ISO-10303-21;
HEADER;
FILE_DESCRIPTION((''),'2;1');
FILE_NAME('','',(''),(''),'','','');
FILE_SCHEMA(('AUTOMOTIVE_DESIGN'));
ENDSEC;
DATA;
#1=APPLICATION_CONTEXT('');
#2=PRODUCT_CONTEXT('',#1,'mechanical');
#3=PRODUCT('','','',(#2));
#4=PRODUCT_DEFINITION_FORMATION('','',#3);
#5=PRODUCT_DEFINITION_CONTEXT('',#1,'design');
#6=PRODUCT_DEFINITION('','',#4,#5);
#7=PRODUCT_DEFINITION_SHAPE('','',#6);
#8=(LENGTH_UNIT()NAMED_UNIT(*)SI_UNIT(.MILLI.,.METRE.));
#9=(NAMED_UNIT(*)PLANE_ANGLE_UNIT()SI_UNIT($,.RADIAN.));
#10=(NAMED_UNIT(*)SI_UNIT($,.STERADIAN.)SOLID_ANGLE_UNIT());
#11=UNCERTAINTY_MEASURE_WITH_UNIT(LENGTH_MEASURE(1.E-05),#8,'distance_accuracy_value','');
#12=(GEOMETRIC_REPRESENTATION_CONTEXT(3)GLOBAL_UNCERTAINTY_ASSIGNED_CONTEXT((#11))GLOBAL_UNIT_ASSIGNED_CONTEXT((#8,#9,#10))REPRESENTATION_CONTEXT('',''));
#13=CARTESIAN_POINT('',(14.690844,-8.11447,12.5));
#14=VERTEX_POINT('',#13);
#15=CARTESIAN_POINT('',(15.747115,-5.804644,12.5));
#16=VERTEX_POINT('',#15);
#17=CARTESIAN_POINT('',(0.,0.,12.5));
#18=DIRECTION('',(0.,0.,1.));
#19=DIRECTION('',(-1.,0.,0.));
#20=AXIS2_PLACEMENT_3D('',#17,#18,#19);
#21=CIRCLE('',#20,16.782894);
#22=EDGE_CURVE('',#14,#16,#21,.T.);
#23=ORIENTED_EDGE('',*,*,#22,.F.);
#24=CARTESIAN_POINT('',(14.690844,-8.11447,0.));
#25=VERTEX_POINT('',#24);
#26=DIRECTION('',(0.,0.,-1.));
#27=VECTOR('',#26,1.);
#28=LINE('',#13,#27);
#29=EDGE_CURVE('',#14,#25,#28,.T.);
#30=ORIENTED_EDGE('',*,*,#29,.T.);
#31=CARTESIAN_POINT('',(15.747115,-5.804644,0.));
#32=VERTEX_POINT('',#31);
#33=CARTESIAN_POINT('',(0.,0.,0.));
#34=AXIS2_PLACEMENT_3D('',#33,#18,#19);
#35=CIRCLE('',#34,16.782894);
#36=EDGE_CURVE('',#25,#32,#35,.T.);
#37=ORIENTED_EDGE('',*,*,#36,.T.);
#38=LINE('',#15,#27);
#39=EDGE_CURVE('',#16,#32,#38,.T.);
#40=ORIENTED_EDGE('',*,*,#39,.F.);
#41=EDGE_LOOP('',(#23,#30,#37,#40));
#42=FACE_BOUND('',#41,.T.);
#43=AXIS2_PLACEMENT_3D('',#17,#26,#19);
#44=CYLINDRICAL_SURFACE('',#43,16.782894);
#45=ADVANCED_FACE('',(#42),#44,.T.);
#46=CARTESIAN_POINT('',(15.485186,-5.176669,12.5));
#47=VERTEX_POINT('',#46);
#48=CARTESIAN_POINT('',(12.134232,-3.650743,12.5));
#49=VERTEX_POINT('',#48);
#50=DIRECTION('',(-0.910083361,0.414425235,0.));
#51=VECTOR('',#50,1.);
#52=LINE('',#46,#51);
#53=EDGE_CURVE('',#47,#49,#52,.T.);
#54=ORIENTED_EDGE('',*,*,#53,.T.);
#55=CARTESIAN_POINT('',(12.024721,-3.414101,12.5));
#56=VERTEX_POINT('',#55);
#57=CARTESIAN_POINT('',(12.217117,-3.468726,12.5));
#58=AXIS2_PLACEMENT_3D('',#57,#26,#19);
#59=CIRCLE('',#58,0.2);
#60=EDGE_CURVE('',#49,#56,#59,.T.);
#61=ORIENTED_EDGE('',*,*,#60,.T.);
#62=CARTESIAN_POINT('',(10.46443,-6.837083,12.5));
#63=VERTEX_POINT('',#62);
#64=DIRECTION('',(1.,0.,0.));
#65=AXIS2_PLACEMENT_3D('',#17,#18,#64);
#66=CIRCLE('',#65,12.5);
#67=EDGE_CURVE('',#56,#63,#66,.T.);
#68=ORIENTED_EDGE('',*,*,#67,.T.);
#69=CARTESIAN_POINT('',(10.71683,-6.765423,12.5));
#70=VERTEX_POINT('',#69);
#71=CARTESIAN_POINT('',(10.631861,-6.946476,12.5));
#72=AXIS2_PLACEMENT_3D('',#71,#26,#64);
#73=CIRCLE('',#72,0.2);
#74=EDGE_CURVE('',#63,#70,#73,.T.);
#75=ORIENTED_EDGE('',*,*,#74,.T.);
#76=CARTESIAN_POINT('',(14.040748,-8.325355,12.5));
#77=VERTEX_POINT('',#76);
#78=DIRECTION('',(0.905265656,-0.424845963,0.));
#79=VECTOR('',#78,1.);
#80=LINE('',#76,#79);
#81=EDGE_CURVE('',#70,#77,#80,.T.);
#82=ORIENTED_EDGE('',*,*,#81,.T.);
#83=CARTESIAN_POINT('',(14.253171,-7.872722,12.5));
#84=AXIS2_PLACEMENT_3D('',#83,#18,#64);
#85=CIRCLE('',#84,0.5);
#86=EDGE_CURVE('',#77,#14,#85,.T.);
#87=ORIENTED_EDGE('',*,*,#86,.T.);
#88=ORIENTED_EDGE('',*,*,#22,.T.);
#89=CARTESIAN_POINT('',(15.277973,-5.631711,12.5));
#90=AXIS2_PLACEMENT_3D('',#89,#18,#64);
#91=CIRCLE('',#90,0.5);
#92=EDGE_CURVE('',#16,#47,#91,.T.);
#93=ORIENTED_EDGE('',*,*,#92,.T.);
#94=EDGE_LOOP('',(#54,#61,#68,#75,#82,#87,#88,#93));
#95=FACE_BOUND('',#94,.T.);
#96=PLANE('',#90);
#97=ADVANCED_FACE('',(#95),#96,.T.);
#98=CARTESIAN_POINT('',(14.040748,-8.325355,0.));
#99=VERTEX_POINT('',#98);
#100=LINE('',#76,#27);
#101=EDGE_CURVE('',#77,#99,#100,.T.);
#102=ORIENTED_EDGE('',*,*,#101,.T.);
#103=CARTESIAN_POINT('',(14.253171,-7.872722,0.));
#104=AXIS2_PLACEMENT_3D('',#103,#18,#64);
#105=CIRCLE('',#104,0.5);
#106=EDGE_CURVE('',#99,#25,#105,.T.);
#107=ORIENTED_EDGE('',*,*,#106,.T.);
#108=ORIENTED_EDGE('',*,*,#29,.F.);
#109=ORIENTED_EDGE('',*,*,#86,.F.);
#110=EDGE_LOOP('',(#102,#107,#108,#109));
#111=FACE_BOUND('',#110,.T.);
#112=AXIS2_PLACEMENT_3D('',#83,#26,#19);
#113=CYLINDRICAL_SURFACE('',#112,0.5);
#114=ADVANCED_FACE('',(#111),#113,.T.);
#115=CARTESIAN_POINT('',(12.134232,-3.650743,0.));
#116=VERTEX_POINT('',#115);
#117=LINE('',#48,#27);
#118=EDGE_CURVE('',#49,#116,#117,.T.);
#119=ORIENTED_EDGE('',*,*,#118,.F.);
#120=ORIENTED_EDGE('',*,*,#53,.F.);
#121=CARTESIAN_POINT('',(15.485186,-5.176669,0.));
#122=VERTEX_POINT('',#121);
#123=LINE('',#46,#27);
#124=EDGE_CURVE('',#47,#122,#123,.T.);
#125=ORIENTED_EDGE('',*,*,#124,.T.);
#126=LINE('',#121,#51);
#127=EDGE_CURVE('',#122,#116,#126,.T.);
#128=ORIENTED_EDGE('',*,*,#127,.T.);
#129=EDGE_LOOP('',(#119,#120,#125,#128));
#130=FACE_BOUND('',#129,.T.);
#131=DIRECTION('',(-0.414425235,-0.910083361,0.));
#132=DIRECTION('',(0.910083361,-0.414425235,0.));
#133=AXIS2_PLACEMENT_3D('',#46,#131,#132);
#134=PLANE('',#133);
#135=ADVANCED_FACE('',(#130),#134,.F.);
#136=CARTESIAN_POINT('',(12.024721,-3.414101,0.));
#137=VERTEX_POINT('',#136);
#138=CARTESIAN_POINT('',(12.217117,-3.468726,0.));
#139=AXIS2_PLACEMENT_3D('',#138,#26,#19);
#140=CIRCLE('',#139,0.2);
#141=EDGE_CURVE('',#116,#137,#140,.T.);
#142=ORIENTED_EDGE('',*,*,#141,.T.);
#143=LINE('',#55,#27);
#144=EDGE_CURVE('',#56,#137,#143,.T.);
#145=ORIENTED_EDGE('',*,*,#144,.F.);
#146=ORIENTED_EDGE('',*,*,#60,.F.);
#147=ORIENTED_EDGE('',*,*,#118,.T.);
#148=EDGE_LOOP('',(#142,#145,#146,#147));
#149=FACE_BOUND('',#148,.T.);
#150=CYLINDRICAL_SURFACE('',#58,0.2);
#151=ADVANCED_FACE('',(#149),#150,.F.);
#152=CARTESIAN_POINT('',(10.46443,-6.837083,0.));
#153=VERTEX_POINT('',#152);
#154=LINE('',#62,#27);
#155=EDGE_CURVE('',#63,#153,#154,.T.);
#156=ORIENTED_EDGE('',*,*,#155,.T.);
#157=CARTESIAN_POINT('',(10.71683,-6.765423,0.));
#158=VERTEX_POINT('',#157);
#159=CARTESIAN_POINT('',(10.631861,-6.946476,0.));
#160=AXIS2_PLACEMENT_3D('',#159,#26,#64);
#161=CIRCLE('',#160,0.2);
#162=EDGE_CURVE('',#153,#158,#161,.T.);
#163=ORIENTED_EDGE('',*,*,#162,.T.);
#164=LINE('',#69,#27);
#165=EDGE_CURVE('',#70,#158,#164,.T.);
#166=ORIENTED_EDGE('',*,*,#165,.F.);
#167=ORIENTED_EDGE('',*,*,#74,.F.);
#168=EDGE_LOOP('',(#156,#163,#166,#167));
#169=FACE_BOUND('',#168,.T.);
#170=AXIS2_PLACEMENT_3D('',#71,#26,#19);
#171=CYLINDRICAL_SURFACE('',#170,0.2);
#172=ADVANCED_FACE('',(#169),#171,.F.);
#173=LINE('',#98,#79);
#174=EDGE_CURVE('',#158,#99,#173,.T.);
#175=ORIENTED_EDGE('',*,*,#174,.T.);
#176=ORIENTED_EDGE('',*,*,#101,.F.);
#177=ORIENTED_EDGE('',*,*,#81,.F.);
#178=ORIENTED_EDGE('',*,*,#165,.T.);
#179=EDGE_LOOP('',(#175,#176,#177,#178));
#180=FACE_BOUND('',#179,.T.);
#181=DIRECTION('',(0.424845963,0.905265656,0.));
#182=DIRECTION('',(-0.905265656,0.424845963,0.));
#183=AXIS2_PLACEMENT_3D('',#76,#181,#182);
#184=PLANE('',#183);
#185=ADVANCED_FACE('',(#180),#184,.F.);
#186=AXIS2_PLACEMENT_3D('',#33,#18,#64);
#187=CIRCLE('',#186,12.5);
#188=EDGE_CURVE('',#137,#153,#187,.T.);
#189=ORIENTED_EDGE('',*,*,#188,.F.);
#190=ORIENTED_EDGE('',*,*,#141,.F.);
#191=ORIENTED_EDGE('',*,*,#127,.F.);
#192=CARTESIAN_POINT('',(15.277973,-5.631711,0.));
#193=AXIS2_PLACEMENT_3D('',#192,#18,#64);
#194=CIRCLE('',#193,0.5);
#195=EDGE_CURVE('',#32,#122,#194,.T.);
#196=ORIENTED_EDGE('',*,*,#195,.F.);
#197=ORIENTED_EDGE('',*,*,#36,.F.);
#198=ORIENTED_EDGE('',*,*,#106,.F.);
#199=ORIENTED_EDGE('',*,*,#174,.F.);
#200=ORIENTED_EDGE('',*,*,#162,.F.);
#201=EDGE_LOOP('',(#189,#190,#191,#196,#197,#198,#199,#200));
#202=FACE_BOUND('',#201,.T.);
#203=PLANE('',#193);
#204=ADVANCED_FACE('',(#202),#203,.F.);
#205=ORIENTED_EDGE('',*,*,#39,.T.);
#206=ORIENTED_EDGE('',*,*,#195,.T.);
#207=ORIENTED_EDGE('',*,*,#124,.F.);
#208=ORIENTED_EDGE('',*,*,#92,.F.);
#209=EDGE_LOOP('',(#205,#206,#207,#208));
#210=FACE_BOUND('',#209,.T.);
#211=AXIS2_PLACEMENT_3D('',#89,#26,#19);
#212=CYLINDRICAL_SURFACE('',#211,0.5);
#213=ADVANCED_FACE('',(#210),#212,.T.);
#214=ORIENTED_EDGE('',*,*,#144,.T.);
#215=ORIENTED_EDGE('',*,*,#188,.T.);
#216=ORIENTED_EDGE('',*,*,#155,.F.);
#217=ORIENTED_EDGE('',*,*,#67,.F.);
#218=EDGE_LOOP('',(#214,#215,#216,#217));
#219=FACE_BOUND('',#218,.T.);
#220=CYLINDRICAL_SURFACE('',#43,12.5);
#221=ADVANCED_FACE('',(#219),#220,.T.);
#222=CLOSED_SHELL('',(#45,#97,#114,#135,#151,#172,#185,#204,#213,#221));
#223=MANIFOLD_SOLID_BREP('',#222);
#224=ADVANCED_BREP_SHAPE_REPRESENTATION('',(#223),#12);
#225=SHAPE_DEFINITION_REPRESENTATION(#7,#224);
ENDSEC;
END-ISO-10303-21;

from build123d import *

# Parameters (mm, degrees)
BOSS_EXTRU_3_DEPTH = 12.5


with BuildPart() as part:
    # Esquisse1 → Boss.-Extru.3 (new body)
    with BuildSketch(Plane.XY):
        with BuildLine():
            Line((15.485185595, -5.176669047), (12.134231543, -3.650742984))
            ThreePointArc((12.134231543, -3.650742984), (12.035609724, -3.552721892), (12.024721053, -3.414100701))
            ThreePointArc((12.024721053, -3.414100701), (-11.374079439, 5.184623122), (10.464430261, -6.837082661))
            ThreePointArc((10.464430261, -6.837082661), (10.577237298, -6.754079946), (10.716830338, -6.765422852))
            Line((10.716830338, -6.765422852), (14.040747626, -8.325354826))
            ThreePointArc((14.040747626, -8.325354826), (14.40745115, -8.348324263), (14.690843755, -8.114470246))
            ThreePointArc((14.690843755, -8.114470246), (15.262737454, -6.979567539), (15.747114807, -5.80464408))
            ThreePointArc((15.747114807, -5.80464408), (15.739440197, -5.439232144), (15.485185595, -5.176669047))
        make_face()
    extrude(amount=BOSS_EXTRU_3_DEPTH)


solid = part.part
